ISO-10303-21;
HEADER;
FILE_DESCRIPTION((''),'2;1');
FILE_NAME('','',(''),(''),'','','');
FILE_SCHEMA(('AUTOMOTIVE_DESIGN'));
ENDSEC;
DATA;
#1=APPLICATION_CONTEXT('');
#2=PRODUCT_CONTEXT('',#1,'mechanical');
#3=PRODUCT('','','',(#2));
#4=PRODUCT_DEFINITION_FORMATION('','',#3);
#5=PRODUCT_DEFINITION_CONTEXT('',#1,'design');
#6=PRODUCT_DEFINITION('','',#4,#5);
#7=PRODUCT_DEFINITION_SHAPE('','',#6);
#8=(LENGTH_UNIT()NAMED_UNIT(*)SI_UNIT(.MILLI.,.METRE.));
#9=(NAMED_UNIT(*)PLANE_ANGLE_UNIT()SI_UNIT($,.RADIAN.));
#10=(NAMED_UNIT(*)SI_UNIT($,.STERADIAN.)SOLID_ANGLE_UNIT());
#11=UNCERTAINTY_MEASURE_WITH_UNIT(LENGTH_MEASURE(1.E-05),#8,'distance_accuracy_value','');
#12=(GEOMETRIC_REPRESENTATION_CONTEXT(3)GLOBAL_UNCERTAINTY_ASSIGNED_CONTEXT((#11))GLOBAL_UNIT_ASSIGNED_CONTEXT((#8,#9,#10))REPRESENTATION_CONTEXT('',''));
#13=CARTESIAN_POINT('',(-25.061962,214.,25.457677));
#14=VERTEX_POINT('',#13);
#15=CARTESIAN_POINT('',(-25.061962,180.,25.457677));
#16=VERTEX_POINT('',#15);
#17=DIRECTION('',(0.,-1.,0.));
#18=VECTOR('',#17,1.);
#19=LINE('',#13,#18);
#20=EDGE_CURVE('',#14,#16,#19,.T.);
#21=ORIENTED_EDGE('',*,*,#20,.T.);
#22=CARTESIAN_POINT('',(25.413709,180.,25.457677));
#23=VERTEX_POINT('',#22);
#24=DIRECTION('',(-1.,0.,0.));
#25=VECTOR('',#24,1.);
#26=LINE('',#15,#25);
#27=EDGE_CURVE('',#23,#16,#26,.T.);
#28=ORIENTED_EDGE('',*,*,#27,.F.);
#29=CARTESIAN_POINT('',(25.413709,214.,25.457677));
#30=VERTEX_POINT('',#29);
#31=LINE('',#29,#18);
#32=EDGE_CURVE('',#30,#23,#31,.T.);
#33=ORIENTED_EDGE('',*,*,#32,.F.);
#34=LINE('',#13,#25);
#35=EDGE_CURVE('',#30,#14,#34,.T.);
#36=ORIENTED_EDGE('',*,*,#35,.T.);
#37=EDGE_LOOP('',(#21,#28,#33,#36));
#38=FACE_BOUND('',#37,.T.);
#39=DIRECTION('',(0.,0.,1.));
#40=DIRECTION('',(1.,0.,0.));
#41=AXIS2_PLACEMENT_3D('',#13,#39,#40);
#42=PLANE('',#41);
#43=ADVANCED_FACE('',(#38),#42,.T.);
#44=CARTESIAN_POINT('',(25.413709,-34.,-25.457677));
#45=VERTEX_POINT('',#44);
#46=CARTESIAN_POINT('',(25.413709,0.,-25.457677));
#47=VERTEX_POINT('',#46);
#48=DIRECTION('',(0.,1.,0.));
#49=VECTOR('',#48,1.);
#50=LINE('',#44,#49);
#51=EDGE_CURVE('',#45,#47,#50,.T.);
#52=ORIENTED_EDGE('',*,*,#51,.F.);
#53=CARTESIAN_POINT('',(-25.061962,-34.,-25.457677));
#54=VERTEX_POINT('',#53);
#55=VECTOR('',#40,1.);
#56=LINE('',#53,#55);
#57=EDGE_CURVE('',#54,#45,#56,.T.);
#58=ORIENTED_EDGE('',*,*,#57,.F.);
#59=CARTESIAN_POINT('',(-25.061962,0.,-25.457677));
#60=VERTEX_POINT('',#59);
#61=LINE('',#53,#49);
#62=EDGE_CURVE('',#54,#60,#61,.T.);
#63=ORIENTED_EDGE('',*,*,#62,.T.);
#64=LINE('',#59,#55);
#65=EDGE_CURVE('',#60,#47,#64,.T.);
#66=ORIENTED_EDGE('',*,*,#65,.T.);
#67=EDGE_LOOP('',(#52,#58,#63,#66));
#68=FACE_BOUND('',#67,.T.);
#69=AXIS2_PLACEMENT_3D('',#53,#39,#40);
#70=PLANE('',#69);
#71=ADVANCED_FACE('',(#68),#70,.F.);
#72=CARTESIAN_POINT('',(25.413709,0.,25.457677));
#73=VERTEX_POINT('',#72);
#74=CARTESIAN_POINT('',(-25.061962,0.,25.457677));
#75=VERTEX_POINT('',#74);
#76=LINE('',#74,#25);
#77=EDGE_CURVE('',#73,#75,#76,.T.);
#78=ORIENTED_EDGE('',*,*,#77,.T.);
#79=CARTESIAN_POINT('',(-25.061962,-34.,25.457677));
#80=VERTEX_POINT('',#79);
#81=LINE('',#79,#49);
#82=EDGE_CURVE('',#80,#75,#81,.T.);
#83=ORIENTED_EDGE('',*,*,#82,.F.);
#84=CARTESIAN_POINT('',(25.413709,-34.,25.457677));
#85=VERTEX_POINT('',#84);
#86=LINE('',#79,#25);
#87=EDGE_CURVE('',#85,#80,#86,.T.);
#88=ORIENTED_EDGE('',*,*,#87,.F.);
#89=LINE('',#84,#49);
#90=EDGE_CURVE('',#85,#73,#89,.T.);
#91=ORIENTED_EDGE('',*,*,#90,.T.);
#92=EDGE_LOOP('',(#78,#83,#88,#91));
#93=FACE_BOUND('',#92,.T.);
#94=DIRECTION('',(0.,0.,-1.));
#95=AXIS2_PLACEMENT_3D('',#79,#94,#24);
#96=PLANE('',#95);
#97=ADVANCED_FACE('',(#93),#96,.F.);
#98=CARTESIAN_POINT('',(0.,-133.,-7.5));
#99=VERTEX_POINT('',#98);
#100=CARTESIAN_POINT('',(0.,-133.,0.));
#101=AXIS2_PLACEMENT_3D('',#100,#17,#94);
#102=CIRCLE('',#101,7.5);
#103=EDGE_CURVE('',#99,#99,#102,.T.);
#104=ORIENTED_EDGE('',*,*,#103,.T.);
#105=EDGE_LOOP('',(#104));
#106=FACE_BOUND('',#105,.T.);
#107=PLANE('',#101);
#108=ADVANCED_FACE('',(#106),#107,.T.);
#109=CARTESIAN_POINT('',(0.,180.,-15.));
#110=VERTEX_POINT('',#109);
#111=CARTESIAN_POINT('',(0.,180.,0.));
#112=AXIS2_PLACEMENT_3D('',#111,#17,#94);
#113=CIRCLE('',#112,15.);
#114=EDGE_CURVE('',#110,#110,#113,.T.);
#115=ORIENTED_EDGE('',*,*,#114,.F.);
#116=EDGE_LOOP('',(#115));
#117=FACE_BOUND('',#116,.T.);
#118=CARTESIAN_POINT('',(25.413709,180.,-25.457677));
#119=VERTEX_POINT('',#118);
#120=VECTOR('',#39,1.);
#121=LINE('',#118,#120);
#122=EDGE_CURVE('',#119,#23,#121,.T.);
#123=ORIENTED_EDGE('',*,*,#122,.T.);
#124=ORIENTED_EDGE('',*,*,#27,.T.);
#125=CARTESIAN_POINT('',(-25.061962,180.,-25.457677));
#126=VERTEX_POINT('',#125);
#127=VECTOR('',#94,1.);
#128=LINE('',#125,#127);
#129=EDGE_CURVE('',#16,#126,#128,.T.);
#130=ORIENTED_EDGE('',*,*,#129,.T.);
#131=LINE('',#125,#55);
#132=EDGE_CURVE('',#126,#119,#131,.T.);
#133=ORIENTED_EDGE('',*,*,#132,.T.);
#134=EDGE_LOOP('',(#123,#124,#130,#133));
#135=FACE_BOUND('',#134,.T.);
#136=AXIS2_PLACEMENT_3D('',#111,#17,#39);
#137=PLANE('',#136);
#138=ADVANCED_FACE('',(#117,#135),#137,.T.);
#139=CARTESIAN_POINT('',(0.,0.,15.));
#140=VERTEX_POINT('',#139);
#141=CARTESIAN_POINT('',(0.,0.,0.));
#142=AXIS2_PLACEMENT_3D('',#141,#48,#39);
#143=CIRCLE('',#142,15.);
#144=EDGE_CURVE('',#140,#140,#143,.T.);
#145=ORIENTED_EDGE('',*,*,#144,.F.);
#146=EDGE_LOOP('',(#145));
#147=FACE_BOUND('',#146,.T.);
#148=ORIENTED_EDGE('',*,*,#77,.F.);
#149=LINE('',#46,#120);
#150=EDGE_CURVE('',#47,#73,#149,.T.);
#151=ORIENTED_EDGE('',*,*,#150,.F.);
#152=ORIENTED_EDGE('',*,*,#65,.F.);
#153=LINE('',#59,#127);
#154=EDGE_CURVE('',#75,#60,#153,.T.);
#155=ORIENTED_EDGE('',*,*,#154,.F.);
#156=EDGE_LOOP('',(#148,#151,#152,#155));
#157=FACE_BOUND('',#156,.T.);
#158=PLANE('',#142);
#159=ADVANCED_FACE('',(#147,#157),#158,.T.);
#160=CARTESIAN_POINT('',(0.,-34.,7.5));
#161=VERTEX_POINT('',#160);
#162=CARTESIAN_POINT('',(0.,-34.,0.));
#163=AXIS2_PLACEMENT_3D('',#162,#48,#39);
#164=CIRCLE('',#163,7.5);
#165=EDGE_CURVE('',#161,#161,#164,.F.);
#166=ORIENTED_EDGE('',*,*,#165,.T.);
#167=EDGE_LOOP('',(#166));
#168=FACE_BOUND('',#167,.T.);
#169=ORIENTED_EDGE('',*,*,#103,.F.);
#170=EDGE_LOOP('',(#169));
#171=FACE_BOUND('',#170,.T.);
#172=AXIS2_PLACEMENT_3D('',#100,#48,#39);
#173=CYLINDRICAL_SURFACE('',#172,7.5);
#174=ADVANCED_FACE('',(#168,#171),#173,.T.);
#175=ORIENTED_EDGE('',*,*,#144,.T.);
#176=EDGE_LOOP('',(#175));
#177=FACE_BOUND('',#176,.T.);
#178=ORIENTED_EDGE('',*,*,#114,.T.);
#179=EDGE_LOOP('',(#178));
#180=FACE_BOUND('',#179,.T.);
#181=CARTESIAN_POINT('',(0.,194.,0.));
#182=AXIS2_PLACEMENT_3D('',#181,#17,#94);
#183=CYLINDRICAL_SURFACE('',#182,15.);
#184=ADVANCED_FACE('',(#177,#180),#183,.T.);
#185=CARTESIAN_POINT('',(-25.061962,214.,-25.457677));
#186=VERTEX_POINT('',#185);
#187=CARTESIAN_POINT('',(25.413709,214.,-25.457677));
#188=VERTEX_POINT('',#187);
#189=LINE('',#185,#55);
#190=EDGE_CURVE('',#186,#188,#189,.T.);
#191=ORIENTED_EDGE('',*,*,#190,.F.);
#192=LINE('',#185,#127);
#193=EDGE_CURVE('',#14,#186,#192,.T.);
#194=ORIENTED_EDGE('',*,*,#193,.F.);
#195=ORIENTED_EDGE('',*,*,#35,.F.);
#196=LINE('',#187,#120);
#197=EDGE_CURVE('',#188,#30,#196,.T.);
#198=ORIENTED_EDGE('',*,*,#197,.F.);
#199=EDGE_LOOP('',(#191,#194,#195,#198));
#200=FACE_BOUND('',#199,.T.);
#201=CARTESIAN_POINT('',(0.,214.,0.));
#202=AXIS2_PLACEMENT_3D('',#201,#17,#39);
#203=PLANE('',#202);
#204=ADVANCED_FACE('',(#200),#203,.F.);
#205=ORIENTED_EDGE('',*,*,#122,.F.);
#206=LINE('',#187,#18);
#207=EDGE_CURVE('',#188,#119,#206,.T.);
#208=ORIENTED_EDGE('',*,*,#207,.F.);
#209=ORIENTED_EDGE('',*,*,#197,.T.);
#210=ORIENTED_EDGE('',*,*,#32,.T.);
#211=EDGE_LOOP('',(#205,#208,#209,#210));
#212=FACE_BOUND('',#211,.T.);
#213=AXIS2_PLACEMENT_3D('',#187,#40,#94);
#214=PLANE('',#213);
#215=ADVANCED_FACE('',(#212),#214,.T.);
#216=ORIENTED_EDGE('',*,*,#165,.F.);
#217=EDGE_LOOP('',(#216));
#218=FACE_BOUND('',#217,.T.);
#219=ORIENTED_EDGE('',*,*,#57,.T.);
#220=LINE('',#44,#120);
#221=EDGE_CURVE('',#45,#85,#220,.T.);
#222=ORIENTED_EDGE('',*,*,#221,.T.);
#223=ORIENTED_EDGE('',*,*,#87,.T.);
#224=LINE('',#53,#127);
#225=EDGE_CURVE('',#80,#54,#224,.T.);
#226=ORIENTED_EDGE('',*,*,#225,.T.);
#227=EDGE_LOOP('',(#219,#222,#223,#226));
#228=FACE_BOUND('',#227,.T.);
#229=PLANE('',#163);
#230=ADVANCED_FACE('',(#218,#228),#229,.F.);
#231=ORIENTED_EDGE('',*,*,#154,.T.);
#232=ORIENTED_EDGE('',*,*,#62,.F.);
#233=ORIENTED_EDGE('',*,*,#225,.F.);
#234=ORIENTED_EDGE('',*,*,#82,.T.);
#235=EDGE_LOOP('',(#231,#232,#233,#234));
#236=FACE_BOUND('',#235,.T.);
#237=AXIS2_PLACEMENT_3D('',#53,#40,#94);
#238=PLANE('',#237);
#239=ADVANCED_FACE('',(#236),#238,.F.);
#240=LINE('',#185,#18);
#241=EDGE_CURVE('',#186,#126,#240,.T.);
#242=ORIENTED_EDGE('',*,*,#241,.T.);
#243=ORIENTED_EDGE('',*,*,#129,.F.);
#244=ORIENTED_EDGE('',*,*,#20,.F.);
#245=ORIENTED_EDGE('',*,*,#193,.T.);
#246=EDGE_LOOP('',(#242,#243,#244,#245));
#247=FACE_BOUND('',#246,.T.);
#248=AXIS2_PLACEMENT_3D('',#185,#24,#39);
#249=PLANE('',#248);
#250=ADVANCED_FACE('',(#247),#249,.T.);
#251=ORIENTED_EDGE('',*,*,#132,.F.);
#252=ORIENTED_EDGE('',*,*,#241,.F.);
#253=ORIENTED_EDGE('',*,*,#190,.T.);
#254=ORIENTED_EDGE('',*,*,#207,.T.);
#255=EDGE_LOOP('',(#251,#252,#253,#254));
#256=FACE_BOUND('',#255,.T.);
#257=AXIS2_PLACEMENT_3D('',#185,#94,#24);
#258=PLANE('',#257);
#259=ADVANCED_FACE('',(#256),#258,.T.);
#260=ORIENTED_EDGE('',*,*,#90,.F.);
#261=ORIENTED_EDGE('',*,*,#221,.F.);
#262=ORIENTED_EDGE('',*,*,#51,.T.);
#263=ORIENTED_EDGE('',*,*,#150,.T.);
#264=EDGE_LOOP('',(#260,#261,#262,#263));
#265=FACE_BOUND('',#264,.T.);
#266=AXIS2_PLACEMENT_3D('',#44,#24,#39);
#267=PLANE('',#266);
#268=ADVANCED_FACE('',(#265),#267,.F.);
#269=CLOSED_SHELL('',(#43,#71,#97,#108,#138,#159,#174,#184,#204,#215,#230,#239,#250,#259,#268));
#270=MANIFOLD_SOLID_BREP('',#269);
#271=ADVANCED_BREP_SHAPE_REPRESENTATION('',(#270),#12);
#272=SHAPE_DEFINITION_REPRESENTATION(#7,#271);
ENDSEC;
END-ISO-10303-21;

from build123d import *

# Parameters (mm, degrees)
SKETCH1_R           = 15
BOSS_EXTRUDE2_DEPTH = 194
SKETCH2_W           = 50.475671087
SKETCH2_H           = 50.915354634
BOSS_EXTRUDE3_DEPTH = 34
SKETCH3_R           = 7.5
BOSS_EXTRUDE4_DEPTH = 99


with BuildPart() as part:
    # Sketch1 → Boss-Extrude2 (new body)
    with BuildSketch(Plane(origin=(0, 0, 0), x_dir=(1, 0, 0), z_dir=(0, 1, 0))):
        with Locations(Location((0, 0, 0), (0, 0, 270))):
            Circle(SKETCH1_R)
    extrude(amount=BOSS_EXTRUDE2_DEPTH)

    # Sketch2 → Boss-Extrude3 (add)
    with BuildSketch(Plane.XZ):
        with Locations((0.175873419, 0)):
            Rectangle(SKETCH2_W, SKETCH2_H)
    boss_extrude3 = extrude(amount=BOSS_EXTRUDE3_DEPTH)

    # Mirror1: Boss-Extrude3 across plane
    add(boss_extrude3.mirror(Plane.ZX.offset(90)))

    # Sketch3 → Boss-Extrude4 (add)
    with BuildSketch(Plane.XZ.offset(34)):
        with Locations(Location((0, 0, 0), (0, 0, 90))):
            Circle(SKETCH3_R)
    extrude(amount=BOSS_EXTRUDE4_DEPTH)


solid = part.part
